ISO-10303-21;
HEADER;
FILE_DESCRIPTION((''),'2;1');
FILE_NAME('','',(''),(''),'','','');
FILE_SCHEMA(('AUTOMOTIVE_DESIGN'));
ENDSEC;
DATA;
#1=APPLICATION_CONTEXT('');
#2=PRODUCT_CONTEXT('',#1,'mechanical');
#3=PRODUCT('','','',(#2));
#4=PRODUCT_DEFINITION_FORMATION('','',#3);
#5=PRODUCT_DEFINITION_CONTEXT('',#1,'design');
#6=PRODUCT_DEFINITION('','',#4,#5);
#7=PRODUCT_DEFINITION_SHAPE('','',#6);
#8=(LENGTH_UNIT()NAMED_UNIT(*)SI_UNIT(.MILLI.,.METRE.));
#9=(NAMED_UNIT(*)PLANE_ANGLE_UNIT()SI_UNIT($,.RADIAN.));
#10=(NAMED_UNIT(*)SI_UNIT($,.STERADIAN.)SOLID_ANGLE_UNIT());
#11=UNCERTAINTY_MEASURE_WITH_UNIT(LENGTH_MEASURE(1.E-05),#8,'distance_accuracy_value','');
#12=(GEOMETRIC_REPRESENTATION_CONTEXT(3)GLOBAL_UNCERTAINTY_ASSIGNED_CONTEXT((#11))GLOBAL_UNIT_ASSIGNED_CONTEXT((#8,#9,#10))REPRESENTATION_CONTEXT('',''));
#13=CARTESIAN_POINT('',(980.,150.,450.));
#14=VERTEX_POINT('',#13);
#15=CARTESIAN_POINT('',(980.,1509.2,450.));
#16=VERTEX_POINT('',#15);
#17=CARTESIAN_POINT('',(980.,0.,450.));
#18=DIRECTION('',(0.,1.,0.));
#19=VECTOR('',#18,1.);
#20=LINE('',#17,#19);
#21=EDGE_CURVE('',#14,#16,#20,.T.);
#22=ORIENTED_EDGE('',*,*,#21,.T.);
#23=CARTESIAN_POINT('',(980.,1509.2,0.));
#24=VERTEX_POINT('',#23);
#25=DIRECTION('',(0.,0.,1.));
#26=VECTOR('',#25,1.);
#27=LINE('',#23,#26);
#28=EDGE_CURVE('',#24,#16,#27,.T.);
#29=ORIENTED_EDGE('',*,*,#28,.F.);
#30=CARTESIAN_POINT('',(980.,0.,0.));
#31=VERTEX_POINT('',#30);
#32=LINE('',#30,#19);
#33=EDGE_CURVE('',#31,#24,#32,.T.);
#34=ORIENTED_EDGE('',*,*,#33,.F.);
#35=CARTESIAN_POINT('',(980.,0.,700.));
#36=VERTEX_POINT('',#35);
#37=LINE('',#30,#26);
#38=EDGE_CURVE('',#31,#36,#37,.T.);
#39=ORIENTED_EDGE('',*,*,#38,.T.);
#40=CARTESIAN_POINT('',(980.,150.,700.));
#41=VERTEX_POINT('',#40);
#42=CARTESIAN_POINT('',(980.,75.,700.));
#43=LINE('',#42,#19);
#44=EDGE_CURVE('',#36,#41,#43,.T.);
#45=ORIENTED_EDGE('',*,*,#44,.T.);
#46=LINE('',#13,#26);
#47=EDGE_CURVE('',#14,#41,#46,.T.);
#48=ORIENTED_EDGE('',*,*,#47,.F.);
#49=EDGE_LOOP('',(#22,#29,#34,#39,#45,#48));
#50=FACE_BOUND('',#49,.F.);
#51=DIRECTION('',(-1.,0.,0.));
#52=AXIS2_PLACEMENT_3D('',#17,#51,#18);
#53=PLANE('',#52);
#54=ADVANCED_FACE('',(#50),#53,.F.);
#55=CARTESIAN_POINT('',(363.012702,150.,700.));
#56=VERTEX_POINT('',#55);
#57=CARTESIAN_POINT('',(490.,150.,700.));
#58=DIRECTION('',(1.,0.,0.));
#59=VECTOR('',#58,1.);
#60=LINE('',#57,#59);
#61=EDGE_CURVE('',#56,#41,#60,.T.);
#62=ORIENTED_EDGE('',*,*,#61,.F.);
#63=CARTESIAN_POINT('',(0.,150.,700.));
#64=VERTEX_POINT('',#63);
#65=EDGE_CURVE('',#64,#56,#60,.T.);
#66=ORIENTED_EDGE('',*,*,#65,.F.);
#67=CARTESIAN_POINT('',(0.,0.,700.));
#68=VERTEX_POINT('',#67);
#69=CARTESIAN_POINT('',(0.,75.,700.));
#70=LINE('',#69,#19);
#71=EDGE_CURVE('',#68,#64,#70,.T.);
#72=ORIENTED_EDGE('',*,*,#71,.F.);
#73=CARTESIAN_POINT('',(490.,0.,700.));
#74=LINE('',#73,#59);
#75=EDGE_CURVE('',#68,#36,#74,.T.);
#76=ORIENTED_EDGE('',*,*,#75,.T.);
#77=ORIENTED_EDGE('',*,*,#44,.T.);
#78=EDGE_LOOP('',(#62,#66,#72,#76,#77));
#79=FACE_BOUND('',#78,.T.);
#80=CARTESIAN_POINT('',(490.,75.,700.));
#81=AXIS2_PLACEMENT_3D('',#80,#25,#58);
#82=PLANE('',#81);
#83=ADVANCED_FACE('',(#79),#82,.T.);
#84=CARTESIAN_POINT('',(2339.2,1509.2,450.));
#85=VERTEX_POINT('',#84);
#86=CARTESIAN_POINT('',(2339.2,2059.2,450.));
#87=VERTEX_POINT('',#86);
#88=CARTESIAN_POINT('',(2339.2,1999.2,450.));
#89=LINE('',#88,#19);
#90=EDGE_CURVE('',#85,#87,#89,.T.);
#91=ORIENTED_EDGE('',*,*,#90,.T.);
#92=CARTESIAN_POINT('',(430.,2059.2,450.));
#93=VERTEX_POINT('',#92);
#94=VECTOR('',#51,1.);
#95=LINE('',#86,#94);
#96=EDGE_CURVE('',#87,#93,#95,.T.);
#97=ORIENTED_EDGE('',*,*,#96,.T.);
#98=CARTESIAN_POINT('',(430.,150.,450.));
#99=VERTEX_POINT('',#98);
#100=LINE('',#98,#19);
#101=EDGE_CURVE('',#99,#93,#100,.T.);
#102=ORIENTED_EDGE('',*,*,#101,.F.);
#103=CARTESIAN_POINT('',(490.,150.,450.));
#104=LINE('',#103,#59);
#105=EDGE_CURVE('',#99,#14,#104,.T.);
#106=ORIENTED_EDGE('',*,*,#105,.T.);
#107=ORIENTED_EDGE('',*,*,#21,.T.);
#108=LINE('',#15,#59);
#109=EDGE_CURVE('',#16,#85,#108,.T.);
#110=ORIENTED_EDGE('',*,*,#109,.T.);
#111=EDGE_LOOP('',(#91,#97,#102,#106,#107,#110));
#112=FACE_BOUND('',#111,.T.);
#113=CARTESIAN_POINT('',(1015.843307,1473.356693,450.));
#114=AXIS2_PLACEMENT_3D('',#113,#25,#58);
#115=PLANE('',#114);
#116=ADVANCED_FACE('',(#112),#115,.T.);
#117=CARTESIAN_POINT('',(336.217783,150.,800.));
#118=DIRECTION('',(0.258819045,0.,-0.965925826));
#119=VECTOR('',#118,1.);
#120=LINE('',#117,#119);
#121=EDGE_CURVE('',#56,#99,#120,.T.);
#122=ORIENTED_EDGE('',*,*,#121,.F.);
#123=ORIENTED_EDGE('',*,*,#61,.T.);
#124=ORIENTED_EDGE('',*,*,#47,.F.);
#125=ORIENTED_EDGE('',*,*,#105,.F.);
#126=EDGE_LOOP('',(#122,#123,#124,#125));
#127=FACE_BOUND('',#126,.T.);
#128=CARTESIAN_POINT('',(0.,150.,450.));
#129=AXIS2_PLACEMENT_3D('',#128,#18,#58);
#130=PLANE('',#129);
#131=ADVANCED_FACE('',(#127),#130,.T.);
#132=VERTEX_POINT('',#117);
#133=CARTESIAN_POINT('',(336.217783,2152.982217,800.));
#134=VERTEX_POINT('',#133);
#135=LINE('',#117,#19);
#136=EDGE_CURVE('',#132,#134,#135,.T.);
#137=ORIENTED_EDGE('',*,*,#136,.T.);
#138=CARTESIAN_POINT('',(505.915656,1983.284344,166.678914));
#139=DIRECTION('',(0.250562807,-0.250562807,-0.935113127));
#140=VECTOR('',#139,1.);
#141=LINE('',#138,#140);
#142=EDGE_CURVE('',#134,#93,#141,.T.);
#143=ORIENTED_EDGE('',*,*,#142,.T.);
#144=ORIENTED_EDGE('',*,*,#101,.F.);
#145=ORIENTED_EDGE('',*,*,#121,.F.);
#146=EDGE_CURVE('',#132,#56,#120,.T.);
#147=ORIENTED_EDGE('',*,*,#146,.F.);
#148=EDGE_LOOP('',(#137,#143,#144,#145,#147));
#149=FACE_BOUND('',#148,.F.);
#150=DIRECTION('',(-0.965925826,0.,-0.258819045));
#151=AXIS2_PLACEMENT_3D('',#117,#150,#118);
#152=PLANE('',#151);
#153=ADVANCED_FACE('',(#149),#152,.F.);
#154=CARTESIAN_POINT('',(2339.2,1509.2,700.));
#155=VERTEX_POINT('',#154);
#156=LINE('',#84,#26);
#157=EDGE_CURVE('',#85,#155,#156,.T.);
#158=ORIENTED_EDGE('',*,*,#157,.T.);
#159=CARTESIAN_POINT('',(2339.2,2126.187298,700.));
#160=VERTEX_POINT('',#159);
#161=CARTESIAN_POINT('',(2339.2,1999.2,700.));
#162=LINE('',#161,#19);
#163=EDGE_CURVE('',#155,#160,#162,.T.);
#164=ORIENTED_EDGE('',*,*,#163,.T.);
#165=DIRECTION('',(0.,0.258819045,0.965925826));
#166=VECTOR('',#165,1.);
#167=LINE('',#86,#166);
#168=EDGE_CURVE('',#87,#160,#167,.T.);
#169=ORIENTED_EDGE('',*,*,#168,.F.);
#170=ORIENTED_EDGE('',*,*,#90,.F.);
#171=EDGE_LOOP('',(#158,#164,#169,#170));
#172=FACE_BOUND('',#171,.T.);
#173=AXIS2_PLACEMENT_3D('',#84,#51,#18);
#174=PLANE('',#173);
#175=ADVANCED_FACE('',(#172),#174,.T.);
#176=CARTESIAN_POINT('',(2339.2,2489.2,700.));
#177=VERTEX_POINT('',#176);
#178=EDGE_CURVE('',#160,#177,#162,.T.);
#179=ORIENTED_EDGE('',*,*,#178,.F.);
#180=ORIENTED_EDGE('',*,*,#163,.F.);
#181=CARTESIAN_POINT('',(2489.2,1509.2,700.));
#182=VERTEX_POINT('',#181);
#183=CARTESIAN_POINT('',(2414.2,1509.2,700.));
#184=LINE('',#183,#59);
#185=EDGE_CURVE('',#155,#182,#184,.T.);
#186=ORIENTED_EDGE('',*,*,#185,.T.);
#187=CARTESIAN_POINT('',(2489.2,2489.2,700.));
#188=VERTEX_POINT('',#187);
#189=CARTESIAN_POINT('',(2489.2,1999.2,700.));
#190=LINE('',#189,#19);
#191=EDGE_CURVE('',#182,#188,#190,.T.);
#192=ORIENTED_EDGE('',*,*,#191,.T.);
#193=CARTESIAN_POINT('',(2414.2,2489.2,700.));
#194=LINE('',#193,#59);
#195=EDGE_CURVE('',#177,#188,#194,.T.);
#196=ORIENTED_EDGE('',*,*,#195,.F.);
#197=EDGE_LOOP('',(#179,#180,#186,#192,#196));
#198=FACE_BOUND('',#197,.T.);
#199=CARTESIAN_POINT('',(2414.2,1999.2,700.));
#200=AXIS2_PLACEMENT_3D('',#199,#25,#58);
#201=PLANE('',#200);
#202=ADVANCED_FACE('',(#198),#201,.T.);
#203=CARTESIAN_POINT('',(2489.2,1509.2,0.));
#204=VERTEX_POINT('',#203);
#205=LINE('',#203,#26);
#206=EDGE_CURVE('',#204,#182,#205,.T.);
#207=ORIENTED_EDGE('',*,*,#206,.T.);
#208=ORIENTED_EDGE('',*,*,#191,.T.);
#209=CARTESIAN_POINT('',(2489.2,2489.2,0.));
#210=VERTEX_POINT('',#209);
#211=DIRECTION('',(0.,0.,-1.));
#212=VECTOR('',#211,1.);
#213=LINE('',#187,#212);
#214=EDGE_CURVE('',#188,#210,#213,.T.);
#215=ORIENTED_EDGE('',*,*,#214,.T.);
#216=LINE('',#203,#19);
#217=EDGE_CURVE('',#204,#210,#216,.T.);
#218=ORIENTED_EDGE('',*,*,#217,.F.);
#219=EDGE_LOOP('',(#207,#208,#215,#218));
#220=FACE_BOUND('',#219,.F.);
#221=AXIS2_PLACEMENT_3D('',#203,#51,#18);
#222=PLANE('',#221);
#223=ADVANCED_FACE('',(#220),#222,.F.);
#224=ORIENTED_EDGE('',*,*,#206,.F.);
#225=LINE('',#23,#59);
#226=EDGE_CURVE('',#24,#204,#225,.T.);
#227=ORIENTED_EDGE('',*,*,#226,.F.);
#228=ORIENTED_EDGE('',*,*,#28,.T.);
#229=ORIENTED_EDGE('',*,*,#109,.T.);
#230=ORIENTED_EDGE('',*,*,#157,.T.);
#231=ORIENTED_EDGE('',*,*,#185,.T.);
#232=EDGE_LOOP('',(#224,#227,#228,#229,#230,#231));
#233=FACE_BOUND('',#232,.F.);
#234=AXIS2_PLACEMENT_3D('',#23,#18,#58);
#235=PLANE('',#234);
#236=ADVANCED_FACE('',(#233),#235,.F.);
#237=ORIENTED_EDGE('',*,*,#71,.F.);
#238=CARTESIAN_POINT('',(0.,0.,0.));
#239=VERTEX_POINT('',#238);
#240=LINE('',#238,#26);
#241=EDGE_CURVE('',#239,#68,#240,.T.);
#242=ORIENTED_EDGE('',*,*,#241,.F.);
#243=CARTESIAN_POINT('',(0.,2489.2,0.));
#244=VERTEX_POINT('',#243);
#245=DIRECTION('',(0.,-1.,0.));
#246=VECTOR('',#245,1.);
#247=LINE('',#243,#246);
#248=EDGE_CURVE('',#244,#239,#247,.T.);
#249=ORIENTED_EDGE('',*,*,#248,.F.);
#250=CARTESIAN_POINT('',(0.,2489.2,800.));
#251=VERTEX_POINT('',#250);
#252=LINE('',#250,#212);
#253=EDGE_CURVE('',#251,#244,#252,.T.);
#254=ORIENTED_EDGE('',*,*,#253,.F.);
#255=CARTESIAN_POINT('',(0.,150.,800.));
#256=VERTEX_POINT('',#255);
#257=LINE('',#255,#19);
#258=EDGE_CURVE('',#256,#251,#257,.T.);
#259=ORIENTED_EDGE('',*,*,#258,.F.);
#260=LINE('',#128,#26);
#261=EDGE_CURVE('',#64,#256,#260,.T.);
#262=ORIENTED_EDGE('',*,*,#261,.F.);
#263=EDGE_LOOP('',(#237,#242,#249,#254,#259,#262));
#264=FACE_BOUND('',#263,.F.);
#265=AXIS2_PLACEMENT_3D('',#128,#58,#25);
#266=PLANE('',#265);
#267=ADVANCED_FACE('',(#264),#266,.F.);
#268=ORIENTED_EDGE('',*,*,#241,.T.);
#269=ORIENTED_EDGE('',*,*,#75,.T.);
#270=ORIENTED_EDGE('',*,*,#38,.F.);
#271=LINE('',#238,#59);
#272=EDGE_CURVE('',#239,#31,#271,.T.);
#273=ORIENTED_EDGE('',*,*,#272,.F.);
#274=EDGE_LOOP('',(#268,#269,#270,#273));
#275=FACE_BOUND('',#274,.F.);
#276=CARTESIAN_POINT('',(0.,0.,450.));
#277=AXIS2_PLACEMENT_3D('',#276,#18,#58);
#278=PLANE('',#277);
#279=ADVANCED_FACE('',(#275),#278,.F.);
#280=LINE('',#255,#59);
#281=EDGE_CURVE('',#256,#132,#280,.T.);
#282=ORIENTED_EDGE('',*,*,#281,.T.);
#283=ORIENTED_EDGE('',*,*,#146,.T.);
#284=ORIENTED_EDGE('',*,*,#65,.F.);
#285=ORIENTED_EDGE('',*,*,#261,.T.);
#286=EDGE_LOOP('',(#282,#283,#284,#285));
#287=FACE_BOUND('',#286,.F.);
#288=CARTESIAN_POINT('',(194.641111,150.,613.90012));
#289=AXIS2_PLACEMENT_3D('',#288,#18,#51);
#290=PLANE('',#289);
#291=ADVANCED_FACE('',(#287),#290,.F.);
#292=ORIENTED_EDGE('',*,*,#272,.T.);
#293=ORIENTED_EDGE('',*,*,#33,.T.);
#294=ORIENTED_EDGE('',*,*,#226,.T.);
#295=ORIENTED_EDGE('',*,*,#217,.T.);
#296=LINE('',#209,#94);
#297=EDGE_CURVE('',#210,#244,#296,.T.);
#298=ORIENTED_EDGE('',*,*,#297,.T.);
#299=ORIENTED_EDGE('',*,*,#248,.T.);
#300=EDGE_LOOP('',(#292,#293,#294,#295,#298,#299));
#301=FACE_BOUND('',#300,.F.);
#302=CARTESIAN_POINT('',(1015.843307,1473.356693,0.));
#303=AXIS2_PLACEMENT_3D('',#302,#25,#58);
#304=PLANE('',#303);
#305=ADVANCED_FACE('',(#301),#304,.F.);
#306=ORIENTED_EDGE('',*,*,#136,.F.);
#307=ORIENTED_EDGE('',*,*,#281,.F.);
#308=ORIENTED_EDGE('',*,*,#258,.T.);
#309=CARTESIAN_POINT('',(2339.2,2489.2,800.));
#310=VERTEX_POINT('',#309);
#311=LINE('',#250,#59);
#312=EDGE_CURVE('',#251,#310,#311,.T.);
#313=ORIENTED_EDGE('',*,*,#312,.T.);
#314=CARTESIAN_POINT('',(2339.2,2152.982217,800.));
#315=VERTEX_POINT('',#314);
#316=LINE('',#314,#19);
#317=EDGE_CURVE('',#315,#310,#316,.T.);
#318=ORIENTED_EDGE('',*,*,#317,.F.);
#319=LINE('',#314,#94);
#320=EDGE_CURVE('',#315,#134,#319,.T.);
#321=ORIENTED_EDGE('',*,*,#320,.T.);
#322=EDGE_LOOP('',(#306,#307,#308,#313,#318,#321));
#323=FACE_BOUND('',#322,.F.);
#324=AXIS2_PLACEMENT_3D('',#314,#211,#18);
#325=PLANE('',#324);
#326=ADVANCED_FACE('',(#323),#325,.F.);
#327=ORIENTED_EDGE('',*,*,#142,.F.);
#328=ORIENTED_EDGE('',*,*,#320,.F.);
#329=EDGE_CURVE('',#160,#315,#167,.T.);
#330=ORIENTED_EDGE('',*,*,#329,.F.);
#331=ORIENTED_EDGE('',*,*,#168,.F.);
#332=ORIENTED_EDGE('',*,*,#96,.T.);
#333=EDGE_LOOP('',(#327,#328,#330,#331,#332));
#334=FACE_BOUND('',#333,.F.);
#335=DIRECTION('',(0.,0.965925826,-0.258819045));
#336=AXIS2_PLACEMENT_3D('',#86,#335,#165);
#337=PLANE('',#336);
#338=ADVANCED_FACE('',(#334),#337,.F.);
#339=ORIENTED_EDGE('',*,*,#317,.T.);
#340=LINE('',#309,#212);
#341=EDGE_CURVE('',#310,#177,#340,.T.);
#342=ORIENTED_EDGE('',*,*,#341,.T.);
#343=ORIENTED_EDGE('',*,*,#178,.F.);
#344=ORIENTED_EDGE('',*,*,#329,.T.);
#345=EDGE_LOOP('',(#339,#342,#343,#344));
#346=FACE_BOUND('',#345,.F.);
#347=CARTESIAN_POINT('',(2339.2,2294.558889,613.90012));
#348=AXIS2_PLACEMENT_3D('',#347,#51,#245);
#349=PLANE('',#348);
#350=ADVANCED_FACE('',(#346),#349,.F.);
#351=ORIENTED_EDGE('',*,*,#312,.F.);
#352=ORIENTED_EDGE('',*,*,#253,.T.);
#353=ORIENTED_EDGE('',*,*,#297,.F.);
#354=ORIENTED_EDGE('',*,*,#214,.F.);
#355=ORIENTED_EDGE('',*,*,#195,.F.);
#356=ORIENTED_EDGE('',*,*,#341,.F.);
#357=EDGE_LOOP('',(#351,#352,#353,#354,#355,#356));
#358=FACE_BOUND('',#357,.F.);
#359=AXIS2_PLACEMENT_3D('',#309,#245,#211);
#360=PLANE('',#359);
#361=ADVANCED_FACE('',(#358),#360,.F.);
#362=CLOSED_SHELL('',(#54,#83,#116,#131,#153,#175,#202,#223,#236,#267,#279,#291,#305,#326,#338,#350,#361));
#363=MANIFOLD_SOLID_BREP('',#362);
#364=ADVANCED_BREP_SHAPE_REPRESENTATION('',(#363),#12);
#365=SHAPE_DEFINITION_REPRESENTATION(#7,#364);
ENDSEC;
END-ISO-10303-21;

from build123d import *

# Parameters (mm, degrees)
F1_DEPTH = 450
F2_W     = 980
F2_H     = 150
F2_W_2   = 150
F2_H_2   = 980
F3_DEPTH = 250
F5_DEPTH = 2339.2


with BuildPart() as f1:
    # F0 (on Top) → F1 (new body)
    with BuildSketch(Plane.XY):
        Polygon((0, 2489.2), (0, 0), (980, 0), (980, 1509.2), (2489.2, 1509.2), (2489.2, 2489.2), align=None)
    extrude(amount=F1_DEPTH)

    # F2 (on face) → F3 (join)
    with BuildSketch(Plane.XY.offset(450)):
        with Locations((490, 75)):
            Rectangle(F2_W, F2_H)
        with Locations((2414.2, 1999.2)):
            Rectangle(F2_W_2, F2_H_2)
    extrude(amount=F3_DEPTH)

    # F4 (on face) → F5 (join, through all)
    with BuildSketch(Plane(origin=(0, 150, 0), x_dir=(-1, 0, 0), z_dir=(0, 1, 0))):
        Polygon((-430, 450), (0, 450), (0, 800), (-336.2177826491, 800), align=None)
    extrude(amount=F5_DEPTH)

    # F6 (on face) → F7 (join, up to the next surface of F1)
    with BuildSketch(Plane(origin=(2339.2, 0, 0), x_dir=(0, -1, 0), z_dir=(-1, 0, 0))):
        Polygon((-2489.2, 800), (-2489.2, 450), (-2059.2, 450), (-2152.9822173509, 800), align=None)
    extrude(until=Until.NEXT)


solid = f1.part
